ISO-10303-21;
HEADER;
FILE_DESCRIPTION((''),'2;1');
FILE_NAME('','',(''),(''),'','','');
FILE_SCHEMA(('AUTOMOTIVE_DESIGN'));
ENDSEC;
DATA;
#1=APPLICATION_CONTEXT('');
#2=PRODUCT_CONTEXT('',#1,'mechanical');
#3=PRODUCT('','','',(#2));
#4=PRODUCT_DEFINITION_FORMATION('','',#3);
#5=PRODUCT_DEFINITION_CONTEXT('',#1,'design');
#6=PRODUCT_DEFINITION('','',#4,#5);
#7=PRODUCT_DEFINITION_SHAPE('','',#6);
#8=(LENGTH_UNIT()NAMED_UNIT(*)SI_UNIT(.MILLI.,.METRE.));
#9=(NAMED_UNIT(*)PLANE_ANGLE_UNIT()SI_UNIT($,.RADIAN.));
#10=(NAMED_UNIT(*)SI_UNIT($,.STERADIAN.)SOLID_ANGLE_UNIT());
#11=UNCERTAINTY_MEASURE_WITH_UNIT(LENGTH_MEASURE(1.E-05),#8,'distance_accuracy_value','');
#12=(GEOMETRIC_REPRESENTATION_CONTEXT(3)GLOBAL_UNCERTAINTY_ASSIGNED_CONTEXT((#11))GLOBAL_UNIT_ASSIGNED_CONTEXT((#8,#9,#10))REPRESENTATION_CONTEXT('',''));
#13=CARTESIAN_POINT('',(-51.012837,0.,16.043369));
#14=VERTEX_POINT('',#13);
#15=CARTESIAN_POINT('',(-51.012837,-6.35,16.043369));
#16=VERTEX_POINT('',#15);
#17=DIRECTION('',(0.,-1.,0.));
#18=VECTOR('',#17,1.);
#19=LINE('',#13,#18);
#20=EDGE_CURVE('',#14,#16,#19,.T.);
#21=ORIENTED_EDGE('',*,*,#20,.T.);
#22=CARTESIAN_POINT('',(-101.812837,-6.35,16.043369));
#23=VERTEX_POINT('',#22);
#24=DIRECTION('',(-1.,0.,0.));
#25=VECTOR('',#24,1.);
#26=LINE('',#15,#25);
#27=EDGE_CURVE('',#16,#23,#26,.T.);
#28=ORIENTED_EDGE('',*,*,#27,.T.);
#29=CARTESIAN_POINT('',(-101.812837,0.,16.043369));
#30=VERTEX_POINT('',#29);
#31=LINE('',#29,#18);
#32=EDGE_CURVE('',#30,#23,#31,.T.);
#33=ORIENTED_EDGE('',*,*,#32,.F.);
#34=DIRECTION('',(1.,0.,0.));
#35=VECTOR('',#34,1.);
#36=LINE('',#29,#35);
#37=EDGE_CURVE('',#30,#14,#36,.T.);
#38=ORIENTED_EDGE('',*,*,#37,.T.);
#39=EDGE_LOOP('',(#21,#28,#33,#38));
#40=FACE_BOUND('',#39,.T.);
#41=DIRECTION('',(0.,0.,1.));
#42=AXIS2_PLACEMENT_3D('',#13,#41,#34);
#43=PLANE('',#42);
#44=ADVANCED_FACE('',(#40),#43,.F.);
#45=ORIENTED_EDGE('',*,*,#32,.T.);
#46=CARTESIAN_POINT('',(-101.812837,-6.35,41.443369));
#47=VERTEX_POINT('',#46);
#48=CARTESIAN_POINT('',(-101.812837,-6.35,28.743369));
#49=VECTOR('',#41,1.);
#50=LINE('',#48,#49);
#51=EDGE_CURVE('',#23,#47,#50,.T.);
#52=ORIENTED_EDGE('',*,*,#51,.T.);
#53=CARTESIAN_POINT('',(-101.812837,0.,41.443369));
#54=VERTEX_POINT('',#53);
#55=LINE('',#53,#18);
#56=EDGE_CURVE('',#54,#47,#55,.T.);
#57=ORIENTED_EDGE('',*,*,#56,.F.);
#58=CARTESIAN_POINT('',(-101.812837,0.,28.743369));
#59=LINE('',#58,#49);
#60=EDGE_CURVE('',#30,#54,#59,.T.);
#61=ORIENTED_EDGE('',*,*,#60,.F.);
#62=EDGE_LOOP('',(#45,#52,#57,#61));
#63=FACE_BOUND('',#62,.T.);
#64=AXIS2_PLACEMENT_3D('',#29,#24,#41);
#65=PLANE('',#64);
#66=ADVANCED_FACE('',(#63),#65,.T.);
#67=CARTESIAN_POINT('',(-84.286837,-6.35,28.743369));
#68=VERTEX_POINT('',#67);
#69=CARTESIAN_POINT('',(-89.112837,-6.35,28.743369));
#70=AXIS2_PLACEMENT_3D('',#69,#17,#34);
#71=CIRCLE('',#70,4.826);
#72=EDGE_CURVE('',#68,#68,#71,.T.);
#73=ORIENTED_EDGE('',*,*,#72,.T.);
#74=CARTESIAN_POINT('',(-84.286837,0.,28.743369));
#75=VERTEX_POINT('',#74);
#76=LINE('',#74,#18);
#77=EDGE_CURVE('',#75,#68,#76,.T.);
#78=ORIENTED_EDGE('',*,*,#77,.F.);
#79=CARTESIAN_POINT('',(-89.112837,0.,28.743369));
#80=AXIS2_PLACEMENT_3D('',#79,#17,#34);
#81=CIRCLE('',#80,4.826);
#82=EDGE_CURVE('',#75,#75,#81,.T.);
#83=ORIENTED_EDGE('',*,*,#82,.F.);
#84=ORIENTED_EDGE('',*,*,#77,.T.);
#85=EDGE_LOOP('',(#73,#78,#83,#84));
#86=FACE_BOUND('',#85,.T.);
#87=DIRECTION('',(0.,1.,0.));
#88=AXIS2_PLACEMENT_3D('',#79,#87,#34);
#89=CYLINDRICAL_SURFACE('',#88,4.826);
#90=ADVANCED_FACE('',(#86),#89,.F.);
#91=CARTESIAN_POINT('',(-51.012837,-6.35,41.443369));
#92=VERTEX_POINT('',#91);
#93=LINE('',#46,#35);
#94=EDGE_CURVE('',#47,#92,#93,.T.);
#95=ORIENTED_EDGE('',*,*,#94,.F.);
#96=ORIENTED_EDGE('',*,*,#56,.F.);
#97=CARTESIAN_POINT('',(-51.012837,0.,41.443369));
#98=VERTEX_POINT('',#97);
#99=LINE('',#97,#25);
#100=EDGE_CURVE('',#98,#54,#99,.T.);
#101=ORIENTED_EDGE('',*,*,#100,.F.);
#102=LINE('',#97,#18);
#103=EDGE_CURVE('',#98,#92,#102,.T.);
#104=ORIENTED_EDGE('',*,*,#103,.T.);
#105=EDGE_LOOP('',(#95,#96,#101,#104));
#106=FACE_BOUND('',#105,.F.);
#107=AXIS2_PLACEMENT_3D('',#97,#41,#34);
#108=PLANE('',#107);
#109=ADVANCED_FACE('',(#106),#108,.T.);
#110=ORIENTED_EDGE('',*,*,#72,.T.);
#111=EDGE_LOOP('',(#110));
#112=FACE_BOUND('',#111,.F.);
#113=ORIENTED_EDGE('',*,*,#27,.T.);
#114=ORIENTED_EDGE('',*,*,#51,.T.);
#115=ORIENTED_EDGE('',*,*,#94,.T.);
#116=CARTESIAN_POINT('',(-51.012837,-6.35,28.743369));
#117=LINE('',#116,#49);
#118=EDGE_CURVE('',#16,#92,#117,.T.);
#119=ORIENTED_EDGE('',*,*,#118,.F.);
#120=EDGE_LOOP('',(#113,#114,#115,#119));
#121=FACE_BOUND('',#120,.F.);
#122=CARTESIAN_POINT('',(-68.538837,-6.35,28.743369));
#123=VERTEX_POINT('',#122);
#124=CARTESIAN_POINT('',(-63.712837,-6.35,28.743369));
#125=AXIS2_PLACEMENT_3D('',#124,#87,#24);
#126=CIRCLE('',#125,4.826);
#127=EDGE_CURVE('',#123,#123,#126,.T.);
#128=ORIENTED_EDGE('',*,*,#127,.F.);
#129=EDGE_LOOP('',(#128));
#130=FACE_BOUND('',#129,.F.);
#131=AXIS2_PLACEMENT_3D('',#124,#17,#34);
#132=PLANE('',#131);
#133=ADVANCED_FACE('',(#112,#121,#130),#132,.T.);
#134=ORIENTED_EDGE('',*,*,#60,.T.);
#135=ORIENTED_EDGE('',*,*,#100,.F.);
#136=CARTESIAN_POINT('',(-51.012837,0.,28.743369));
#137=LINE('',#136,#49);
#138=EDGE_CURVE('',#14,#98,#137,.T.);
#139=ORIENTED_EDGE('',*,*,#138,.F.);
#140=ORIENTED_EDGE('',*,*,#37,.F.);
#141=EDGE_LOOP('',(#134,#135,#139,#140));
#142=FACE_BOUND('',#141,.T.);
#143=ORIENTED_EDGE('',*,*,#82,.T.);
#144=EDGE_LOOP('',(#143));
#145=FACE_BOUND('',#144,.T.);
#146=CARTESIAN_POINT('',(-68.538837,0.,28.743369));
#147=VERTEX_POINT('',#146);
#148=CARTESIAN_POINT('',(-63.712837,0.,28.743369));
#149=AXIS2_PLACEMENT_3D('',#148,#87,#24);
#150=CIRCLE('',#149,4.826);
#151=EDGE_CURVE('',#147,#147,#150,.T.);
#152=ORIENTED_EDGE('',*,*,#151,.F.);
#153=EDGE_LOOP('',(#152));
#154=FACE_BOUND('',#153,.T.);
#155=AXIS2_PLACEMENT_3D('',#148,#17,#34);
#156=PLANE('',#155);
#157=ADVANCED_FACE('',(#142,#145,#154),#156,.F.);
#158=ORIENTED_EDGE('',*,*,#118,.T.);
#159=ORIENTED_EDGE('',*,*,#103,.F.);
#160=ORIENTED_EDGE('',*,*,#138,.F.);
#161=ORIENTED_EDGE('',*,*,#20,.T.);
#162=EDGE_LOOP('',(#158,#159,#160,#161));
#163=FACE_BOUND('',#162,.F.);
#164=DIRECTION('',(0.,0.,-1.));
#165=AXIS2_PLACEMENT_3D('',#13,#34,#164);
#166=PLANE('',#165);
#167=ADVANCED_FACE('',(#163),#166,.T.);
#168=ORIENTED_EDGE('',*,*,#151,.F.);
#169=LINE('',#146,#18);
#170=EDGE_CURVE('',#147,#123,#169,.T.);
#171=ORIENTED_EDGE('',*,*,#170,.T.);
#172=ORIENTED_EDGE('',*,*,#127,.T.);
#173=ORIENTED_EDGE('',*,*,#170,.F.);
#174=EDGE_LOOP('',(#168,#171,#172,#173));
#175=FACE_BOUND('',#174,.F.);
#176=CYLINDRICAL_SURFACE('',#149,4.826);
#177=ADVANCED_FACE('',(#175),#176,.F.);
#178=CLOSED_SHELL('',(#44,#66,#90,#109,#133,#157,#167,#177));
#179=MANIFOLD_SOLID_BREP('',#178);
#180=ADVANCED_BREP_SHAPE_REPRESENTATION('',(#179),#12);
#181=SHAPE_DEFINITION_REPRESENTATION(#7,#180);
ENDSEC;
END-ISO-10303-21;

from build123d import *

# Parameters (mm, degrees)
F0_W     = 25.4
F0_H     = 25.4
F0_R     = 4.826
F1_DEPTH = 6.35


with BuildPart() as f1:
    # F0 (on Front) → F1 (new body)
    with BuildSketch(Plane.XZ):
        with Locations((-89.112837, 28.743369)):
            Rectangle(F0_W, F0_H)
        with Locations((-89.112837, 28.743369)):
            Circle(F0_R, mode=Mode.SUBTRACT)
    extrude(amount=F1_DEPTH)

    # F2: F1 across face


with BuildPart() as f1_1:
    add(f1.part)
    add(f1.part.mirror(Plane(origin=(-76.412837, -3.175, 28.743369), x_dir=(0, 1, 0), z_dir=(1, 0, 0))))


solid = f1_1.part
